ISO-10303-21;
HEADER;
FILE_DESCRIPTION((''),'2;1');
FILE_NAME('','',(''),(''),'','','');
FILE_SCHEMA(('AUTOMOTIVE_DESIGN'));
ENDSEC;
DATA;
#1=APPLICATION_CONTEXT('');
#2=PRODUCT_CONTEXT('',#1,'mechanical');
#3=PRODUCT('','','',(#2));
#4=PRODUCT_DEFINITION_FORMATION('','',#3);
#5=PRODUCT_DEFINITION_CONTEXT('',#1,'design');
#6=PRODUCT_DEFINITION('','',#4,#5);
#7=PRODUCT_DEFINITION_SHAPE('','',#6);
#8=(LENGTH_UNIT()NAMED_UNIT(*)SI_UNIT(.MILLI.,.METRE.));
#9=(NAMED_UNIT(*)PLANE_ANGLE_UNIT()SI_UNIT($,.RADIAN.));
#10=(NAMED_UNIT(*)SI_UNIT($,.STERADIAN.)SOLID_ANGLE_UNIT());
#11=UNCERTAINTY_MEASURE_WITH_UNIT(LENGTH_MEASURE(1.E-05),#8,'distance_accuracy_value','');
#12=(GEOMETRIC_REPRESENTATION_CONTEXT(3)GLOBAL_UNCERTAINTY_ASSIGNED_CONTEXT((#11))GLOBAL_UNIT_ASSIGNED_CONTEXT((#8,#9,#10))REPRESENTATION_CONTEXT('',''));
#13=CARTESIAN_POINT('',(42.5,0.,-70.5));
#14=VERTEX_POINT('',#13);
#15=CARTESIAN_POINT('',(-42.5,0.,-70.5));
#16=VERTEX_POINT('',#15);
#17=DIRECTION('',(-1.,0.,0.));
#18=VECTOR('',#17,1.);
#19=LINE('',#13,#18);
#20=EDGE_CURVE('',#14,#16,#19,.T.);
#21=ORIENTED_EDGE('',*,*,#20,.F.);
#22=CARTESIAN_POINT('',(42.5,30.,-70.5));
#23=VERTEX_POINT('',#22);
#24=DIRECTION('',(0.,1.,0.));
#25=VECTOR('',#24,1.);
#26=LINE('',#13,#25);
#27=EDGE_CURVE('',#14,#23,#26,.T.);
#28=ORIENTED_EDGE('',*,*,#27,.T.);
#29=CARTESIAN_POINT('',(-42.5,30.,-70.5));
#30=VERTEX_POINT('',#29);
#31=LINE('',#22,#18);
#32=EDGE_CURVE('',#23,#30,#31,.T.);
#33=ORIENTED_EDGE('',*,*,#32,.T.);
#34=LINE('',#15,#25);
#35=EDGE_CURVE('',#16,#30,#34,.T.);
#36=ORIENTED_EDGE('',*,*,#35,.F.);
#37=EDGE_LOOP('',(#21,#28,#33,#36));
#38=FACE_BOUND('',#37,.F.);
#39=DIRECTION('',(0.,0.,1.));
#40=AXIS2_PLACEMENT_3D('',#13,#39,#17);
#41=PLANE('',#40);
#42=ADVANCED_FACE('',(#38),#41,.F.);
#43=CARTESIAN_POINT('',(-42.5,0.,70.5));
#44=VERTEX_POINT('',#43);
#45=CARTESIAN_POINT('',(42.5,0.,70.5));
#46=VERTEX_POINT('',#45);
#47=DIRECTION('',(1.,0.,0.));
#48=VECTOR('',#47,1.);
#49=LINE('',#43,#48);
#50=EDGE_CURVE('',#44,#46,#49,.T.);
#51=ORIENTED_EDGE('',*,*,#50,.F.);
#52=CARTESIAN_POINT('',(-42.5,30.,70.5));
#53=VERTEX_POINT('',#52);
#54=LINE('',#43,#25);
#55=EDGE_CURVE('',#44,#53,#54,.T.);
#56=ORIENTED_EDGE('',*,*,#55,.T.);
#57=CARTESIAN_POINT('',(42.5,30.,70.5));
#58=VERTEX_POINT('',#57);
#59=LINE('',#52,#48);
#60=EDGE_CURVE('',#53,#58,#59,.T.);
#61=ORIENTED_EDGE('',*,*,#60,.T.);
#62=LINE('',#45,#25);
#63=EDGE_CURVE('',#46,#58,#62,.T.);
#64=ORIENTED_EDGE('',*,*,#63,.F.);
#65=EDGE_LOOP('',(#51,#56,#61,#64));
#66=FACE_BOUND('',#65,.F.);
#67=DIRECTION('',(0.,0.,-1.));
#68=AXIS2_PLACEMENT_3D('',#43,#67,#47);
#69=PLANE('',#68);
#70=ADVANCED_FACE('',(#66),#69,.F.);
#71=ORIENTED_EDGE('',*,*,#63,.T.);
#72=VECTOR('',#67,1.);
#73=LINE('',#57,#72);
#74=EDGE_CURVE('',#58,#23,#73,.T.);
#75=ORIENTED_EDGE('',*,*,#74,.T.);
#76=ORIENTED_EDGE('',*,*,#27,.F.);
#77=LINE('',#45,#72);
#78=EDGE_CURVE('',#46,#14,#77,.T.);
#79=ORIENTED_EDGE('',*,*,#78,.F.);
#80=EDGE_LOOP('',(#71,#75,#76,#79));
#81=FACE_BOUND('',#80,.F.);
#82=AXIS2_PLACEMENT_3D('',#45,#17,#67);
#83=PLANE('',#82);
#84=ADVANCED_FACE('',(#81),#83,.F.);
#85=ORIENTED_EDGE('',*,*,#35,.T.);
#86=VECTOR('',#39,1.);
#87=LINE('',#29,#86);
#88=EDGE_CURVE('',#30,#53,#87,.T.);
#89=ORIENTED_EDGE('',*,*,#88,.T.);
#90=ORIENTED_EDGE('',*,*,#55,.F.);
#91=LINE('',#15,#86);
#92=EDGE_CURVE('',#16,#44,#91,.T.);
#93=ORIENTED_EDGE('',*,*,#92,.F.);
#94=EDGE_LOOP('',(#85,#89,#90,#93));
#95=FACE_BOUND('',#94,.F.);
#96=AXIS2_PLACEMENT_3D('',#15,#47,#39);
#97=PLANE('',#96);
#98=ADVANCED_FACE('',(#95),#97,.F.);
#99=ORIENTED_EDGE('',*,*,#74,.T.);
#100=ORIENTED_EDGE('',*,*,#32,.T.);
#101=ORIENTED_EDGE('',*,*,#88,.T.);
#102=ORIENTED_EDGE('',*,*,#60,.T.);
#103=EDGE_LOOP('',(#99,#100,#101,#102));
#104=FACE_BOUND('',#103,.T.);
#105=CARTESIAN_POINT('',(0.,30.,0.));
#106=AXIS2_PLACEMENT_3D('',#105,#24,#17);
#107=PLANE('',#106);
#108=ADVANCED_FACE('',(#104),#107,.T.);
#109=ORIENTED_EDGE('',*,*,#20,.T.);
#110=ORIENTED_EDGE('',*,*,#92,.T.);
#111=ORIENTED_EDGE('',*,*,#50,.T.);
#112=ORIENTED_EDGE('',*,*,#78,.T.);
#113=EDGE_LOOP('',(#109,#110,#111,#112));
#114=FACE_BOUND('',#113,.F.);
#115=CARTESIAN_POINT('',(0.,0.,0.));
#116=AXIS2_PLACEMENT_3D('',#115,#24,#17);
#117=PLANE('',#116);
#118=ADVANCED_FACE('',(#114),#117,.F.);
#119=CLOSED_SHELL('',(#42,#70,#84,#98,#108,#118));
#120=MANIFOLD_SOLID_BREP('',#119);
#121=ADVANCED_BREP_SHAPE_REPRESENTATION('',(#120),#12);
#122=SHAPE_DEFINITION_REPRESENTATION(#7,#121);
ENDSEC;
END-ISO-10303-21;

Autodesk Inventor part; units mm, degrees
ref_plane "YZ Plane" through (0, 0, 0) normal (1, 0, 0) x (0, 1, 0)
ref_plane "XZ Plane" through (0, 0, 0) normal (0, 1, 0) x (-1, 0, 0)
ref_plane "XY Plane" through (0, 0, 0) normal (0, 0, 1) x (1, 0, 0)
sketch "Sketch1" plane through (0, 0, 0) normal (0, 1, 0) x (-1, 0, 0)
  line L0 (42.5, 70.5) -> (-42.5, 70.5)
  line L1 (-42.5, 70.5) -> (-42.5, -70.5)
  line L2 (-42.5, -70.5) -> (42.5, -70.5)
  line L3 (42.5, -70.5) -> (42.5, 70.5)
  point P0 (0, 0)
  point P1 (42.5, 0)
  point P2 (0, 70.5)
  dimension "d0" = 141
  dimension "d1" = 85
extrude "Extrusion1" add sketch "Sketch1" along normal blind 30
properties part number "dlink5portswitch"
